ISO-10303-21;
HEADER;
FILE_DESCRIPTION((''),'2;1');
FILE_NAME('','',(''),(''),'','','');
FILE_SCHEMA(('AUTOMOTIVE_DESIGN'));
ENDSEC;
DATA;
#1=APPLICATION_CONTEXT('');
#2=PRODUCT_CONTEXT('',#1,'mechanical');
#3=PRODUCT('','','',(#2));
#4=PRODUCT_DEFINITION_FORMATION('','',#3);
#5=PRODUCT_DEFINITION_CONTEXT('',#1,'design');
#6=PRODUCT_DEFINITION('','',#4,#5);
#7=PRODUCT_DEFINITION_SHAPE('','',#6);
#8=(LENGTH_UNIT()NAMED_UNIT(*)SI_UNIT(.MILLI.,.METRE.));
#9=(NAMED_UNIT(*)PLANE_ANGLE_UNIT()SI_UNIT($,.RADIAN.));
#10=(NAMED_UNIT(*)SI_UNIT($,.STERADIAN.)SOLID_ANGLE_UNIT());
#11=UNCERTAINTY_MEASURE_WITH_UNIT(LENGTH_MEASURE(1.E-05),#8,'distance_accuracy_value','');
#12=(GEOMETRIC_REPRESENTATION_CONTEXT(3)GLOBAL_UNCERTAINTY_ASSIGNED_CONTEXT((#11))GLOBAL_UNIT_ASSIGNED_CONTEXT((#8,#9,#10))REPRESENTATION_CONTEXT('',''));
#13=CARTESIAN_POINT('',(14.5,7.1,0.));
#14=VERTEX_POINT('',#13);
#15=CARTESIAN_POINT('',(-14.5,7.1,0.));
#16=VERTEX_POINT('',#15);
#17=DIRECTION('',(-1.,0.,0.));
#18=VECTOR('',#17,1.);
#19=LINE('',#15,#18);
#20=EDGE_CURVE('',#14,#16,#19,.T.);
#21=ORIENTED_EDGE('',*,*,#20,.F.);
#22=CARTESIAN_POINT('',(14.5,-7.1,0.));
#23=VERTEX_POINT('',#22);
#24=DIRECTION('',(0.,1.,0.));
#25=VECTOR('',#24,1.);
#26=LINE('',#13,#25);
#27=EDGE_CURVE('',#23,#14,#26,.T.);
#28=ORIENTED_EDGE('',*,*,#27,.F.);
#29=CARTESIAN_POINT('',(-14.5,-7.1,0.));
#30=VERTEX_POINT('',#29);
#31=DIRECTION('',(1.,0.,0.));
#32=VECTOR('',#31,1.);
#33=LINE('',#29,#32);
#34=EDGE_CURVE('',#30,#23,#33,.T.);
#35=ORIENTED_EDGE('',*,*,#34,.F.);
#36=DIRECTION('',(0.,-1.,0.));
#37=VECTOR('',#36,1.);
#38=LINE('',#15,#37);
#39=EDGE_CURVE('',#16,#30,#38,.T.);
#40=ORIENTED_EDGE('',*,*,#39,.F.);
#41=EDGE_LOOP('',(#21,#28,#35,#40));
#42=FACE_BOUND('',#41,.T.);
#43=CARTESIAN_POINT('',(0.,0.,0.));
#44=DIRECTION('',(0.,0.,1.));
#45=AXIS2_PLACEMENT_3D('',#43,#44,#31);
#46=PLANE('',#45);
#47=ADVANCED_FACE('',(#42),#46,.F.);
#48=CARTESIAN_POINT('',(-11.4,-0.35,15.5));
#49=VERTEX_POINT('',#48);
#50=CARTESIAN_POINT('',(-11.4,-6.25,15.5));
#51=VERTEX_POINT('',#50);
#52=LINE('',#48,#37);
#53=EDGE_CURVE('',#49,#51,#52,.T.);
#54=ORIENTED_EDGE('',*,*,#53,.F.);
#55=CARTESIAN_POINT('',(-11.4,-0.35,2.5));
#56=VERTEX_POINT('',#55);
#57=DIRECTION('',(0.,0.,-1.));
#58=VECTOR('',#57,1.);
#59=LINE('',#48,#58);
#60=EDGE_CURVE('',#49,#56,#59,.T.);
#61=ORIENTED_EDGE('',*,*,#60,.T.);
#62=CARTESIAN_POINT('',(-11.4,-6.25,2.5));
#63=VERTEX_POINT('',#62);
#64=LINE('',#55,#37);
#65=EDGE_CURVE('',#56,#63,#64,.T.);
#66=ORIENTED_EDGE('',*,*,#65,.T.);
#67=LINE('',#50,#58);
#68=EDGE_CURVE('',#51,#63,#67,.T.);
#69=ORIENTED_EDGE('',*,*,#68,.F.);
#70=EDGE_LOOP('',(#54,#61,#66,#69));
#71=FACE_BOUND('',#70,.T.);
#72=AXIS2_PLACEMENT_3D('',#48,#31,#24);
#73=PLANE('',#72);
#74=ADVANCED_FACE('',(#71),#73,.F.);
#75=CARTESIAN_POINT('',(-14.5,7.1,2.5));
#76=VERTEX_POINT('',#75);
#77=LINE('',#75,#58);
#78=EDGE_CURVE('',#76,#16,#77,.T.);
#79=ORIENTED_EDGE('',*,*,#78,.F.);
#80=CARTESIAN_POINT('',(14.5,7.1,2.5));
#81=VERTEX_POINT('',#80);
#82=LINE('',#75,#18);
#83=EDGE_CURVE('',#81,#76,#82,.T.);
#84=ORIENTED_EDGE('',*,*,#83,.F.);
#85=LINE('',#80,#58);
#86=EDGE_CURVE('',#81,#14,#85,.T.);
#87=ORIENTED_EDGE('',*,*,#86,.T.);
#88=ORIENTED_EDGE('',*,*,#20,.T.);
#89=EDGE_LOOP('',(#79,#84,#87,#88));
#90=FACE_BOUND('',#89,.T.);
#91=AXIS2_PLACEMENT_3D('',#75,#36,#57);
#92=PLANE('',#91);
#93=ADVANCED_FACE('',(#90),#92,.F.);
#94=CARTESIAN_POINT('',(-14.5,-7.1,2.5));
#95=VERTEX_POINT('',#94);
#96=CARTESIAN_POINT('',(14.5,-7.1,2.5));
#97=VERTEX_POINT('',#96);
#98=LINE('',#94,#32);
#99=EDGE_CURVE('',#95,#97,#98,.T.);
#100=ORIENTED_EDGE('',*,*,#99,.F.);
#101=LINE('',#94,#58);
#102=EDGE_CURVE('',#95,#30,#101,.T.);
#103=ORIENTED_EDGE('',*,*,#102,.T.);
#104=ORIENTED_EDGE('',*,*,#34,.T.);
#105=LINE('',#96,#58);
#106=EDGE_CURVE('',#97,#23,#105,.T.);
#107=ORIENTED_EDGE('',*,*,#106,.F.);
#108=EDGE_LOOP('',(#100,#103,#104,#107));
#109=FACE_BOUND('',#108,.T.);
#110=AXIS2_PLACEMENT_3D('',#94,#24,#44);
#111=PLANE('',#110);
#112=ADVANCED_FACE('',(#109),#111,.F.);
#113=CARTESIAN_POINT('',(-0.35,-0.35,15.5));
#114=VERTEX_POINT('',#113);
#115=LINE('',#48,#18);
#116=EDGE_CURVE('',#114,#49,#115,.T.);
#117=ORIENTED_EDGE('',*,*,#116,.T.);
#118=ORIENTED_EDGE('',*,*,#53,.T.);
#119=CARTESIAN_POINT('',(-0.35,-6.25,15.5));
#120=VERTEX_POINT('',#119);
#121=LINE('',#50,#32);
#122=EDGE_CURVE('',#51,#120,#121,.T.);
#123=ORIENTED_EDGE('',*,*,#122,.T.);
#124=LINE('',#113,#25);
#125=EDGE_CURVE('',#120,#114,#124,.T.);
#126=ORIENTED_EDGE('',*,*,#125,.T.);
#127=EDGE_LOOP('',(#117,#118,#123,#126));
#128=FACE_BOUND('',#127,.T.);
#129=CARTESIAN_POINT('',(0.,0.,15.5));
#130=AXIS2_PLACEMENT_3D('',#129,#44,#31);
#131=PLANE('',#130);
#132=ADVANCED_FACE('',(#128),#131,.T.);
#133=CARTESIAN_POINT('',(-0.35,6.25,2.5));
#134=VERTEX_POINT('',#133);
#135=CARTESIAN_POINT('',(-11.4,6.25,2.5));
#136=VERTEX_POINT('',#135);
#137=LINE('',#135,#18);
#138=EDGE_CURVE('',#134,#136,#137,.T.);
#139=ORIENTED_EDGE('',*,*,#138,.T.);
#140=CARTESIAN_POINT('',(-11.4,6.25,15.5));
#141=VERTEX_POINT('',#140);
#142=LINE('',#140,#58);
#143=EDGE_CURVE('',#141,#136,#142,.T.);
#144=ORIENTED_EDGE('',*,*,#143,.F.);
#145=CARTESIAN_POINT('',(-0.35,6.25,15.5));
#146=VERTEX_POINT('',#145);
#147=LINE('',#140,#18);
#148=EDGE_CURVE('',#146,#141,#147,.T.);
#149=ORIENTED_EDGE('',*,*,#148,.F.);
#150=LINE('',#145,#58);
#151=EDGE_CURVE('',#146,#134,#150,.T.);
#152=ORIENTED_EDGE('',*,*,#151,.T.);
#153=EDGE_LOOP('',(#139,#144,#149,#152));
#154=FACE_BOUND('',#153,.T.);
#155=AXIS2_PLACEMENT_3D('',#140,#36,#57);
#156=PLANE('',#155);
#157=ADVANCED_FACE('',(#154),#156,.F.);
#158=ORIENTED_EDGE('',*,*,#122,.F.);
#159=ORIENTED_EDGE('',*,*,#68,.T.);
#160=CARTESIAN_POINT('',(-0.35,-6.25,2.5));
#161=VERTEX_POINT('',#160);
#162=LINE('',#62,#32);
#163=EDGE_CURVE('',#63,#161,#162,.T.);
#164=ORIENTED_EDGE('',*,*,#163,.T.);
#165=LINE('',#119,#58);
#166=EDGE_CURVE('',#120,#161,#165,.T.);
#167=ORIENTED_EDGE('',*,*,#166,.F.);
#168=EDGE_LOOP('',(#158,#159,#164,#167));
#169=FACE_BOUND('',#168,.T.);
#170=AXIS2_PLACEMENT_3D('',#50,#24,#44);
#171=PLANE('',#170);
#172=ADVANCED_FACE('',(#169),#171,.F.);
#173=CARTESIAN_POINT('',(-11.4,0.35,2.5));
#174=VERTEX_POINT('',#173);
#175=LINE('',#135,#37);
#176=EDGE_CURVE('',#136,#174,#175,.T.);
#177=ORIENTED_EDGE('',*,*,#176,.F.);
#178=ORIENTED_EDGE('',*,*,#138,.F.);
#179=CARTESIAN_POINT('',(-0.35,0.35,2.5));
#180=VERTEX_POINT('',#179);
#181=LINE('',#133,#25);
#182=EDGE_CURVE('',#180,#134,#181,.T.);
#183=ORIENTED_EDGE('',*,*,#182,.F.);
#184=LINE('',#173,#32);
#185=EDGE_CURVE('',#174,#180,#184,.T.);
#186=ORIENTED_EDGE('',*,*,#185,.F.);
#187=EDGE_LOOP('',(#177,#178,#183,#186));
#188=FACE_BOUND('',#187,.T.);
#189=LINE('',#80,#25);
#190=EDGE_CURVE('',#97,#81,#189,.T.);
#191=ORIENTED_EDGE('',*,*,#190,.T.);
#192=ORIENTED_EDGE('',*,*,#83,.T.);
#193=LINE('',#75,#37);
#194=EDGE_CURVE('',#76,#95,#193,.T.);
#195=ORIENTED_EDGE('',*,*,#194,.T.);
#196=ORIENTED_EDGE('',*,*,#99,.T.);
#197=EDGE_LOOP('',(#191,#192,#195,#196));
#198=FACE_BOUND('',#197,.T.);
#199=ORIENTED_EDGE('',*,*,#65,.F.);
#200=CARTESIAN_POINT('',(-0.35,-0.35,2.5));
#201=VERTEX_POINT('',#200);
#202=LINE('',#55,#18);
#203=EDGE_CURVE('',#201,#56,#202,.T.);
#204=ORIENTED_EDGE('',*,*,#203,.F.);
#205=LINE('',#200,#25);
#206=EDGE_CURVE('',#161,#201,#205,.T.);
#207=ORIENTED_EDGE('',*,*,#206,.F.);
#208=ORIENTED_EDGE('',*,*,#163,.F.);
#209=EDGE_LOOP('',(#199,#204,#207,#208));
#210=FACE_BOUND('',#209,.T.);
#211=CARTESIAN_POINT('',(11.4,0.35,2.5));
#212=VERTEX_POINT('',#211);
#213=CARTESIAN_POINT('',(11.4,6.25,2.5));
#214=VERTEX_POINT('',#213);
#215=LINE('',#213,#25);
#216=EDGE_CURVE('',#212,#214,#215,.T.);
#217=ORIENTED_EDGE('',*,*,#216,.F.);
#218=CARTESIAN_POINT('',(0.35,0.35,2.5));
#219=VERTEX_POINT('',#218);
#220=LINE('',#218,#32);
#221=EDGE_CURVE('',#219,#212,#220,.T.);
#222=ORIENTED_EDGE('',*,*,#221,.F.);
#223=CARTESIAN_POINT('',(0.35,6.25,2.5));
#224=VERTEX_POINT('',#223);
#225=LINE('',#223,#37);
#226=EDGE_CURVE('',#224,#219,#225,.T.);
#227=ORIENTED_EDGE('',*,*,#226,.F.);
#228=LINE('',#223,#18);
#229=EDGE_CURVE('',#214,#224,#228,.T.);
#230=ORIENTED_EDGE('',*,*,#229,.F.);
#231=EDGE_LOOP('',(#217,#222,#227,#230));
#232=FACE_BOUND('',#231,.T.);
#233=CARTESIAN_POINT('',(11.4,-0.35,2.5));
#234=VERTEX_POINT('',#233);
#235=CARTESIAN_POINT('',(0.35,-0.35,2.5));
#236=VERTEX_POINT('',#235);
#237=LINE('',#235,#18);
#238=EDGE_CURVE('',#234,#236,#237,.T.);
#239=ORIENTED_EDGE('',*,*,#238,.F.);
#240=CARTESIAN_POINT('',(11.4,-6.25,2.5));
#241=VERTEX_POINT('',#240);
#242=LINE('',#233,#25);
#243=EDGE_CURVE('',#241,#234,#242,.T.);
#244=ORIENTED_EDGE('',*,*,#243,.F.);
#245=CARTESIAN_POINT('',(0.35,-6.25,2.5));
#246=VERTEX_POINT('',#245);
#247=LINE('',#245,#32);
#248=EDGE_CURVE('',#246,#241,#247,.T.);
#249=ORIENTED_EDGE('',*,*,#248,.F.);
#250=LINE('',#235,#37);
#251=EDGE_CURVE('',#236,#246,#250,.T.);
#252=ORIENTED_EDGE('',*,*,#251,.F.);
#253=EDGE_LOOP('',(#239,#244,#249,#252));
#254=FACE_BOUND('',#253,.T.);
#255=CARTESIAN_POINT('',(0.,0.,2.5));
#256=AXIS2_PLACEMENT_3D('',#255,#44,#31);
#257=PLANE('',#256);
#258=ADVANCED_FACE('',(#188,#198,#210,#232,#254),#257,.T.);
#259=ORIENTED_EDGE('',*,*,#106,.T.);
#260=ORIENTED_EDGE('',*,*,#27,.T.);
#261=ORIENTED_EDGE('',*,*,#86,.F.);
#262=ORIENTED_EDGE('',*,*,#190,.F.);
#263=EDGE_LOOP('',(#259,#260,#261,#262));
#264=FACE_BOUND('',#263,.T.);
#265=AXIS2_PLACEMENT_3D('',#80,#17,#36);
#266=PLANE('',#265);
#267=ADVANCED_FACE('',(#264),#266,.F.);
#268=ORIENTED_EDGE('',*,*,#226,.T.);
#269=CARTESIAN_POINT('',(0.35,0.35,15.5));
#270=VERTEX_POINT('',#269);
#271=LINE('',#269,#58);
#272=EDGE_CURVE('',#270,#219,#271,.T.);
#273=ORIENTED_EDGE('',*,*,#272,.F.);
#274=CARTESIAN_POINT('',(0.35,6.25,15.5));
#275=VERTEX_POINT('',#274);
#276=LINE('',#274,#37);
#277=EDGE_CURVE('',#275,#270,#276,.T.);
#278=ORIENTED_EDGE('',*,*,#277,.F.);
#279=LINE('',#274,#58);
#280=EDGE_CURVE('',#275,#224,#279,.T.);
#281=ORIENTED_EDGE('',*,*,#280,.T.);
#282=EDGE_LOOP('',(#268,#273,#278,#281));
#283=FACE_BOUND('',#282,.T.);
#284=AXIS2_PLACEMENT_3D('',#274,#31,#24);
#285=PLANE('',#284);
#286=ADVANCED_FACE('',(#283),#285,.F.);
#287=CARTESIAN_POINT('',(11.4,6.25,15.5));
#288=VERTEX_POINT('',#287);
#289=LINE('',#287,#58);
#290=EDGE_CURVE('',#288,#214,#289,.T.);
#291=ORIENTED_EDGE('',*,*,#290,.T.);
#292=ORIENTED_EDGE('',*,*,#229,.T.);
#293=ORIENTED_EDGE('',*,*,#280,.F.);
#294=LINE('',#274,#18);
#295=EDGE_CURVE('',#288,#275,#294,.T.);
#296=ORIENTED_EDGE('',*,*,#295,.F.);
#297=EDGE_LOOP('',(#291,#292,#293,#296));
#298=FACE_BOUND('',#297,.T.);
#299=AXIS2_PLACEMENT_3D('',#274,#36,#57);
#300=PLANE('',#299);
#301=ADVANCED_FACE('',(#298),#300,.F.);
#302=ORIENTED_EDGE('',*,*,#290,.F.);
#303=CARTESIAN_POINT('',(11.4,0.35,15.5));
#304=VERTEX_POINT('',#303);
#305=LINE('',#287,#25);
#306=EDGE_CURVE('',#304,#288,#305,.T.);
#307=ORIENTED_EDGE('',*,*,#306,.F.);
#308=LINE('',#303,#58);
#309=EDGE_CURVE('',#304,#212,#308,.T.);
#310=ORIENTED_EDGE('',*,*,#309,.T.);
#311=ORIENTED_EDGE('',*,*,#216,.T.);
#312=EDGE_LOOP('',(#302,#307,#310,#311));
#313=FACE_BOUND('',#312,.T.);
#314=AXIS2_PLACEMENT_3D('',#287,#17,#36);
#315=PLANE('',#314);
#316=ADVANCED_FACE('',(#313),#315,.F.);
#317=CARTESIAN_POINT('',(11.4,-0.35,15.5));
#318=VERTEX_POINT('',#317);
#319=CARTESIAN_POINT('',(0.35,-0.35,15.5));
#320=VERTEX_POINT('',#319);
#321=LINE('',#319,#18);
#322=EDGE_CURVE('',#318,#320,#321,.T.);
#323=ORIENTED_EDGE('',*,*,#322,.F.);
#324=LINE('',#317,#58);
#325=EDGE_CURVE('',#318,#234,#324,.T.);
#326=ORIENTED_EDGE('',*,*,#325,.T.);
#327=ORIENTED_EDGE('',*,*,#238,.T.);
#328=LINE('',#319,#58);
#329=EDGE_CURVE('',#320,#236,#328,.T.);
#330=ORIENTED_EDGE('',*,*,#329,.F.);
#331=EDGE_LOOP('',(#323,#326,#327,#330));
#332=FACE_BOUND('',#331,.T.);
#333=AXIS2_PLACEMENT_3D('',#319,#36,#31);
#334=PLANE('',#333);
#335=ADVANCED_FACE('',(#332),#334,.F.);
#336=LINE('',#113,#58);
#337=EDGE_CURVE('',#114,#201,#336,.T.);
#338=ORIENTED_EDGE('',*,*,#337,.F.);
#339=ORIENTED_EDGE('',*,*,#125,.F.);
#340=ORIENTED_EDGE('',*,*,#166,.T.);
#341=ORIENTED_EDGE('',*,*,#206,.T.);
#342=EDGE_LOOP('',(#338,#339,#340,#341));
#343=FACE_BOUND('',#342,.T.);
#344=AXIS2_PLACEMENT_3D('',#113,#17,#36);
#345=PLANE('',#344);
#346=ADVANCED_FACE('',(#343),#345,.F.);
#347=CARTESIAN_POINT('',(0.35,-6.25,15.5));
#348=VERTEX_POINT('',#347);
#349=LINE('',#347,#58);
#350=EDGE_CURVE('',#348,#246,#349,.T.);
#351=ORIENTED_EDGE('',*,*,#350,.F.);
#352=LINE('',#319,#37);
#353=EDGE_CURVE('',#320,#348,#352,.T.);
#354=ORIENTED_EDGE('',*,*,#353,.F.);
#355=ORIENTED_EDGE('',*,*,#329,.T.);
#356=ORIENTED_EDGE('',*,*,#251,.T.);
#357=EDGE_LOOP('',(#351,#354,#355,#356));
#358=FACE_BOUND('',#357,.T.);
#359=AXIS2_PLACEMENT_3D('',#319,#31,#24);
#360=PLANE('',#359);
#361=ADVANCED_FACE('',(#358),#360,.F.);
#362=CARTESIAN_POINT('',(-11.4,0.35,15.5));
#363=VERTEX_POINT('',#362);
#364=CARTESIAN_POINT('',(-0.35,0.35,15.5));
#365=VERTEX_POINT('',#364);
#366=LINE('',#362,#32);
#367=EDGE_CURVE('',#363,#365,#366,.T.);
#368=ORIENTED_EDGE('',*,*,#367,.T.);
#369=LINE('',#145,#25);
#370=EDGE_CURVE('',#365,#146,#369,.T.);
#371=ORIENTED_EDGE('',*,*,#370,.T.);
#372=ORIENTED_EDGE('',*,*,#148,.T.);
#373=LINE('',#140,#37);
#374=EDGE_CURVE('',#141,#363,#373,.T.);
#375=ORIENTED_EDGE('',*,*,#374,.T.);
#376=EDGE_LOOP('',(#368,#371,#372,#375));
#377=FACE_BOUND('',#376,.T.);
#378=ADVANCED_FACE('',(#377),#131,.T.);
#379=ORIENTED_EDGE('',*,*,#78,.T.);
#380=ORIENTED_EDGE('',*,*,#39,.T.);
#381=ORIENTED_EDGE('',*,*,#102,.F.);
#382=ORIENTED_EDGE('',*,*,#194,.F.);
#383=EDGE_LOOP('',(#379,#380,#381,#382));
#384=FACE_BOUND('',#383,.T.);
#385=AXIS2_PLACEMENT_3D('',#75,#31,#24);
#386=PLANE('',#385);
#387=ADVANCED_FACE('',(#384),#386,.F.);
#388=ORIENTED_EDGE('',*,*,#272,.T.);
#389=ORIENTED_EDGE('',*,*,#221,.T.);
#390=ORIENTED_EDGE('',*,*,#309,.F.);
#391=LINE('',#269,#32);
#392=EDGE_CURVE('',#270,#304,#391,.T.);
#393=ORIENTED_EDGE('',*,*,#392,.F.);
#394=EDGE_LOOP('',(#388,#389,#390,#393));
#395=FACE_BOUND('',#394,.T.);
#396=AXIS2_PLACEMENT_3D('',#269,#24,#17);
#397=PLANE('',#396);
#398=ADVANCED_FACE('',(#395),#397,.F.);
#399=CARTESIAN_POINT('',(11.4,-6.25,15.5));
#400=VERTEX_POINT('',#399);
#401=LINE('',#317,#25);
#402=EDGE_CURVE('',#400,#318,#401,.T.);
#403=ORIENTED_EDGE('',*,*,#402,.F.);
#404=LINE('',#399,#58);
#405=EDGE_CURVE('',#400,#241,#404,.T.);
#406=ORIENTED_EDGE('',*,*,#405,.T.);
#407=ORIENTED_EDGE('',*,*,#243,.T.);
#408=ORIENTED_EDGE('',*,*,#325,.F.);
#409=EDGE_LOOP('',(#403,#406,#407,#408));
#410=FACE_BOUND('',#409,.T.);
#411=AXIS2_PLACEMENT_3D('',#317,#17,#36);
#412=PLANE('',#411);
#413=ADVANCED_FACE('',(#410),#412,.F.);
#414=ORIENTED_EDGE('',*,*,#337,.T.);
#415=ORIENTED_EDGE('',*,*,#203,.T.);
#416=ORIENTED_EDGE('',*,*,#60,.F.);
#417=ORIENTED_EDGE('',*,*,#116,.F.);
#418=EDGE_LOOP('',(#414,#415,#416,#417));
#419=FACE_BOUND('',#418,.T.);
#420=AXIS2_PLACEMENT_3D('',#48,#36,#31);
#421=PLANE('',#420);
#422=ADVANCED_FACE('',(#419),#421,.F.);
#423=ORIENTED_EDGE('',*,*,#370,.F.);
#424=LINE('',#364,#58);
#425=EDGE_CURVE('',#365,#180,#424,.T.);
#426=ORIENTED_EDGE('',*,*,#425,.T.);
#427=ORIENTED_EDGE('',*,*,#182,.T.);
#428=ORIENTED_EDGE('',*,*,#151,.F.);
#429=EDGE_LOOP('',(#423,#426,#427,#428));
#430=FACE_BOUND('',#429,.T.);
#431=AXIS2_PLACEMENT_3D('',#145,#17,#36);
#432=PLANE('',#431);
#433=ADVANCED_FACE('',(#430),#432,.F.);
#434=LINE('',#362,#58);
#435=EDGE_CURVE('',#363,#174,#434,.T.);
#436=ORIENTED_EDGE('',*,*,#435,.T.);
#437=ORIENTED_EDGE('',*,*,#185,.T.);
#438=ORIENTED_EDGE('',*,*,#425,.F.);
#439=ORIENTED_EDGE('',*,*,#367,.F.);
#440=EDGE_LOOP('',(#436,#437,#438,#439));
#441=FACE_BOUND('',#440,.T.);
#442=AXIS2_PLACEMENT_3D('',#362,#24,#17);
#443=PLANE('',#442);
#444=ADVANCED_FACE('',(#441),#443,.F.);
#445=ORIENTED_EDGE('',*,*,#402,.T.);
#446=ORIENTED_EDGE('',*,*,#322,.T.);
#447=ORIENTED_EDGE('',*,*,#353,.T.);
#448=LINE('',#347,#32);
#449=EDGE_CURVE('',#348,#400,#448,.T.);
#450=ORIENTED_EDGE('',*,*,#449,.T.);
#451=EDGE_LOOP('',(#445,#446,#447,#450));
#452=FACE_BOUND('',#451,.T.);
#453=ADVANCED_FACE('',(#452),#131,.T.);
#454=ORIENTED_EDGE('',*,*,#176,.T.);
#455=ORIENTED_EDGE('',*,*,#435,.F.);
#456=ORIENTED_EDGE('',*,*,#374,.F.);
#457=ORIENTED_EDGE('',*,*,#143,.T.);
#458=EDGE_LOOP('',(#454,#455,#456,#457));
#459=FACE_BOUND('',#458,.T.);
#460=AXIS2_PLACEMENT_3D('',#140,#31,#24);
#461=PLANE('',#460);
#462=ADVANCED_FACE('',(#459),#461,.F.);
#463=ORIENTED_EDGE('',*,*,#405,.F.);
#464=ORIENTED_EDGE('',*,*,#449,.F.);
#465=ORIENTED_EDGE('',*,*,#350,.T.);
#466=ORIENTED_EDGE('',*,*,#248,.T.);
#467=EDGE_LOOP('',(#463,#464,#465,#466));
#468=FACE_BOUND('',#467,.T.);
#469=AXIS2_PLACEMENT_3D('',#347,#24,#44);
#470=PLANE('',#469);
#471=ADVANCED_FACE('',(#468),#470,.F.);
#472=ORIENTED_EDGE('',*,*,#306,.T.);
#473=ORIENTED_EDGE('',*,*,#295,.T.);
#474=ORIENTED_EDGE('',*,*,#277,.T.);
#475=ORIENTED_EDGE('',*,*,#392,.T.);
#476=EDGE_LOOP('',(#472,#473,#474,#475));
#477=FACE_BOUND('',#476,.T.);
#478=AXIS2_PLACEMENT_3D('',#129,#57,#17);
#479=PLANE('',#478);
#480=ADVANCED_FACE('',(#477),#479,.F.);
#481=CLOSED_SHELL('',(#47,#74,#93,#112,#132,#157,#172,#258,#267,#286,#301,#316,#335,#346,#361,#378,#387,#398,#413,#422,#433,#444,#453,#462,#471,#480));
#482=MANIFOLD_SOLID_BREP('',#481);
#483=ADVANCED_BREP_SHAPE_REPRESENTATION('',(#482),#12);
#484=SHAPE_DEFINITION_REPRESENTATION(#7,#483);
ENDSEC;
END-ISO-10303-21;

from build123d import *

# Parameters (mm, degrees)
CROQUIS1_W              = 29
CROQUIS1_H              = 14.2
SALIENTE_EXTRUIR1_DEPTH = 2.5
CROQUIS3_W              = 11.05
CROQUIS3_H              = 5.9
SALIENTE_EXTRUIR2_DEPTH = 13


with BuildPart() as part:
    # Croquis1 → Saliente-Extruir1 (new body)
    with BuildSketch(Plane.XY):
        Rectangle(CROQUIS1_W, CROQUIS1_H)
    extrude(amount=SALIENTE_EXTRUIR1_DEPTH)

    # Croquis3 → Saliente-Extruir2 (add)
    with BuildSketch(Plane.XY.offset(2.5)):
        with Locations((-5.875, 3.3)):
            Rectangle(CROQUIS3_W, CROQUIS3_H)
        with Locations((-5.875, -3.3)):
            Rectangle(CROQUIS3_W, CROQUIS3_H)
        with Locations((5.875, 3.3)):
            Rectangle(CROQUIS3_W, CROQUIS3_H)
        with Locations((5.875, -3.3)):
            Rectangle(CROQUIS3_W, CROQUIS3_H)
    extrude(amount=SALIENTE_EXTRUIR2_DEPTH)


solid = part.part
